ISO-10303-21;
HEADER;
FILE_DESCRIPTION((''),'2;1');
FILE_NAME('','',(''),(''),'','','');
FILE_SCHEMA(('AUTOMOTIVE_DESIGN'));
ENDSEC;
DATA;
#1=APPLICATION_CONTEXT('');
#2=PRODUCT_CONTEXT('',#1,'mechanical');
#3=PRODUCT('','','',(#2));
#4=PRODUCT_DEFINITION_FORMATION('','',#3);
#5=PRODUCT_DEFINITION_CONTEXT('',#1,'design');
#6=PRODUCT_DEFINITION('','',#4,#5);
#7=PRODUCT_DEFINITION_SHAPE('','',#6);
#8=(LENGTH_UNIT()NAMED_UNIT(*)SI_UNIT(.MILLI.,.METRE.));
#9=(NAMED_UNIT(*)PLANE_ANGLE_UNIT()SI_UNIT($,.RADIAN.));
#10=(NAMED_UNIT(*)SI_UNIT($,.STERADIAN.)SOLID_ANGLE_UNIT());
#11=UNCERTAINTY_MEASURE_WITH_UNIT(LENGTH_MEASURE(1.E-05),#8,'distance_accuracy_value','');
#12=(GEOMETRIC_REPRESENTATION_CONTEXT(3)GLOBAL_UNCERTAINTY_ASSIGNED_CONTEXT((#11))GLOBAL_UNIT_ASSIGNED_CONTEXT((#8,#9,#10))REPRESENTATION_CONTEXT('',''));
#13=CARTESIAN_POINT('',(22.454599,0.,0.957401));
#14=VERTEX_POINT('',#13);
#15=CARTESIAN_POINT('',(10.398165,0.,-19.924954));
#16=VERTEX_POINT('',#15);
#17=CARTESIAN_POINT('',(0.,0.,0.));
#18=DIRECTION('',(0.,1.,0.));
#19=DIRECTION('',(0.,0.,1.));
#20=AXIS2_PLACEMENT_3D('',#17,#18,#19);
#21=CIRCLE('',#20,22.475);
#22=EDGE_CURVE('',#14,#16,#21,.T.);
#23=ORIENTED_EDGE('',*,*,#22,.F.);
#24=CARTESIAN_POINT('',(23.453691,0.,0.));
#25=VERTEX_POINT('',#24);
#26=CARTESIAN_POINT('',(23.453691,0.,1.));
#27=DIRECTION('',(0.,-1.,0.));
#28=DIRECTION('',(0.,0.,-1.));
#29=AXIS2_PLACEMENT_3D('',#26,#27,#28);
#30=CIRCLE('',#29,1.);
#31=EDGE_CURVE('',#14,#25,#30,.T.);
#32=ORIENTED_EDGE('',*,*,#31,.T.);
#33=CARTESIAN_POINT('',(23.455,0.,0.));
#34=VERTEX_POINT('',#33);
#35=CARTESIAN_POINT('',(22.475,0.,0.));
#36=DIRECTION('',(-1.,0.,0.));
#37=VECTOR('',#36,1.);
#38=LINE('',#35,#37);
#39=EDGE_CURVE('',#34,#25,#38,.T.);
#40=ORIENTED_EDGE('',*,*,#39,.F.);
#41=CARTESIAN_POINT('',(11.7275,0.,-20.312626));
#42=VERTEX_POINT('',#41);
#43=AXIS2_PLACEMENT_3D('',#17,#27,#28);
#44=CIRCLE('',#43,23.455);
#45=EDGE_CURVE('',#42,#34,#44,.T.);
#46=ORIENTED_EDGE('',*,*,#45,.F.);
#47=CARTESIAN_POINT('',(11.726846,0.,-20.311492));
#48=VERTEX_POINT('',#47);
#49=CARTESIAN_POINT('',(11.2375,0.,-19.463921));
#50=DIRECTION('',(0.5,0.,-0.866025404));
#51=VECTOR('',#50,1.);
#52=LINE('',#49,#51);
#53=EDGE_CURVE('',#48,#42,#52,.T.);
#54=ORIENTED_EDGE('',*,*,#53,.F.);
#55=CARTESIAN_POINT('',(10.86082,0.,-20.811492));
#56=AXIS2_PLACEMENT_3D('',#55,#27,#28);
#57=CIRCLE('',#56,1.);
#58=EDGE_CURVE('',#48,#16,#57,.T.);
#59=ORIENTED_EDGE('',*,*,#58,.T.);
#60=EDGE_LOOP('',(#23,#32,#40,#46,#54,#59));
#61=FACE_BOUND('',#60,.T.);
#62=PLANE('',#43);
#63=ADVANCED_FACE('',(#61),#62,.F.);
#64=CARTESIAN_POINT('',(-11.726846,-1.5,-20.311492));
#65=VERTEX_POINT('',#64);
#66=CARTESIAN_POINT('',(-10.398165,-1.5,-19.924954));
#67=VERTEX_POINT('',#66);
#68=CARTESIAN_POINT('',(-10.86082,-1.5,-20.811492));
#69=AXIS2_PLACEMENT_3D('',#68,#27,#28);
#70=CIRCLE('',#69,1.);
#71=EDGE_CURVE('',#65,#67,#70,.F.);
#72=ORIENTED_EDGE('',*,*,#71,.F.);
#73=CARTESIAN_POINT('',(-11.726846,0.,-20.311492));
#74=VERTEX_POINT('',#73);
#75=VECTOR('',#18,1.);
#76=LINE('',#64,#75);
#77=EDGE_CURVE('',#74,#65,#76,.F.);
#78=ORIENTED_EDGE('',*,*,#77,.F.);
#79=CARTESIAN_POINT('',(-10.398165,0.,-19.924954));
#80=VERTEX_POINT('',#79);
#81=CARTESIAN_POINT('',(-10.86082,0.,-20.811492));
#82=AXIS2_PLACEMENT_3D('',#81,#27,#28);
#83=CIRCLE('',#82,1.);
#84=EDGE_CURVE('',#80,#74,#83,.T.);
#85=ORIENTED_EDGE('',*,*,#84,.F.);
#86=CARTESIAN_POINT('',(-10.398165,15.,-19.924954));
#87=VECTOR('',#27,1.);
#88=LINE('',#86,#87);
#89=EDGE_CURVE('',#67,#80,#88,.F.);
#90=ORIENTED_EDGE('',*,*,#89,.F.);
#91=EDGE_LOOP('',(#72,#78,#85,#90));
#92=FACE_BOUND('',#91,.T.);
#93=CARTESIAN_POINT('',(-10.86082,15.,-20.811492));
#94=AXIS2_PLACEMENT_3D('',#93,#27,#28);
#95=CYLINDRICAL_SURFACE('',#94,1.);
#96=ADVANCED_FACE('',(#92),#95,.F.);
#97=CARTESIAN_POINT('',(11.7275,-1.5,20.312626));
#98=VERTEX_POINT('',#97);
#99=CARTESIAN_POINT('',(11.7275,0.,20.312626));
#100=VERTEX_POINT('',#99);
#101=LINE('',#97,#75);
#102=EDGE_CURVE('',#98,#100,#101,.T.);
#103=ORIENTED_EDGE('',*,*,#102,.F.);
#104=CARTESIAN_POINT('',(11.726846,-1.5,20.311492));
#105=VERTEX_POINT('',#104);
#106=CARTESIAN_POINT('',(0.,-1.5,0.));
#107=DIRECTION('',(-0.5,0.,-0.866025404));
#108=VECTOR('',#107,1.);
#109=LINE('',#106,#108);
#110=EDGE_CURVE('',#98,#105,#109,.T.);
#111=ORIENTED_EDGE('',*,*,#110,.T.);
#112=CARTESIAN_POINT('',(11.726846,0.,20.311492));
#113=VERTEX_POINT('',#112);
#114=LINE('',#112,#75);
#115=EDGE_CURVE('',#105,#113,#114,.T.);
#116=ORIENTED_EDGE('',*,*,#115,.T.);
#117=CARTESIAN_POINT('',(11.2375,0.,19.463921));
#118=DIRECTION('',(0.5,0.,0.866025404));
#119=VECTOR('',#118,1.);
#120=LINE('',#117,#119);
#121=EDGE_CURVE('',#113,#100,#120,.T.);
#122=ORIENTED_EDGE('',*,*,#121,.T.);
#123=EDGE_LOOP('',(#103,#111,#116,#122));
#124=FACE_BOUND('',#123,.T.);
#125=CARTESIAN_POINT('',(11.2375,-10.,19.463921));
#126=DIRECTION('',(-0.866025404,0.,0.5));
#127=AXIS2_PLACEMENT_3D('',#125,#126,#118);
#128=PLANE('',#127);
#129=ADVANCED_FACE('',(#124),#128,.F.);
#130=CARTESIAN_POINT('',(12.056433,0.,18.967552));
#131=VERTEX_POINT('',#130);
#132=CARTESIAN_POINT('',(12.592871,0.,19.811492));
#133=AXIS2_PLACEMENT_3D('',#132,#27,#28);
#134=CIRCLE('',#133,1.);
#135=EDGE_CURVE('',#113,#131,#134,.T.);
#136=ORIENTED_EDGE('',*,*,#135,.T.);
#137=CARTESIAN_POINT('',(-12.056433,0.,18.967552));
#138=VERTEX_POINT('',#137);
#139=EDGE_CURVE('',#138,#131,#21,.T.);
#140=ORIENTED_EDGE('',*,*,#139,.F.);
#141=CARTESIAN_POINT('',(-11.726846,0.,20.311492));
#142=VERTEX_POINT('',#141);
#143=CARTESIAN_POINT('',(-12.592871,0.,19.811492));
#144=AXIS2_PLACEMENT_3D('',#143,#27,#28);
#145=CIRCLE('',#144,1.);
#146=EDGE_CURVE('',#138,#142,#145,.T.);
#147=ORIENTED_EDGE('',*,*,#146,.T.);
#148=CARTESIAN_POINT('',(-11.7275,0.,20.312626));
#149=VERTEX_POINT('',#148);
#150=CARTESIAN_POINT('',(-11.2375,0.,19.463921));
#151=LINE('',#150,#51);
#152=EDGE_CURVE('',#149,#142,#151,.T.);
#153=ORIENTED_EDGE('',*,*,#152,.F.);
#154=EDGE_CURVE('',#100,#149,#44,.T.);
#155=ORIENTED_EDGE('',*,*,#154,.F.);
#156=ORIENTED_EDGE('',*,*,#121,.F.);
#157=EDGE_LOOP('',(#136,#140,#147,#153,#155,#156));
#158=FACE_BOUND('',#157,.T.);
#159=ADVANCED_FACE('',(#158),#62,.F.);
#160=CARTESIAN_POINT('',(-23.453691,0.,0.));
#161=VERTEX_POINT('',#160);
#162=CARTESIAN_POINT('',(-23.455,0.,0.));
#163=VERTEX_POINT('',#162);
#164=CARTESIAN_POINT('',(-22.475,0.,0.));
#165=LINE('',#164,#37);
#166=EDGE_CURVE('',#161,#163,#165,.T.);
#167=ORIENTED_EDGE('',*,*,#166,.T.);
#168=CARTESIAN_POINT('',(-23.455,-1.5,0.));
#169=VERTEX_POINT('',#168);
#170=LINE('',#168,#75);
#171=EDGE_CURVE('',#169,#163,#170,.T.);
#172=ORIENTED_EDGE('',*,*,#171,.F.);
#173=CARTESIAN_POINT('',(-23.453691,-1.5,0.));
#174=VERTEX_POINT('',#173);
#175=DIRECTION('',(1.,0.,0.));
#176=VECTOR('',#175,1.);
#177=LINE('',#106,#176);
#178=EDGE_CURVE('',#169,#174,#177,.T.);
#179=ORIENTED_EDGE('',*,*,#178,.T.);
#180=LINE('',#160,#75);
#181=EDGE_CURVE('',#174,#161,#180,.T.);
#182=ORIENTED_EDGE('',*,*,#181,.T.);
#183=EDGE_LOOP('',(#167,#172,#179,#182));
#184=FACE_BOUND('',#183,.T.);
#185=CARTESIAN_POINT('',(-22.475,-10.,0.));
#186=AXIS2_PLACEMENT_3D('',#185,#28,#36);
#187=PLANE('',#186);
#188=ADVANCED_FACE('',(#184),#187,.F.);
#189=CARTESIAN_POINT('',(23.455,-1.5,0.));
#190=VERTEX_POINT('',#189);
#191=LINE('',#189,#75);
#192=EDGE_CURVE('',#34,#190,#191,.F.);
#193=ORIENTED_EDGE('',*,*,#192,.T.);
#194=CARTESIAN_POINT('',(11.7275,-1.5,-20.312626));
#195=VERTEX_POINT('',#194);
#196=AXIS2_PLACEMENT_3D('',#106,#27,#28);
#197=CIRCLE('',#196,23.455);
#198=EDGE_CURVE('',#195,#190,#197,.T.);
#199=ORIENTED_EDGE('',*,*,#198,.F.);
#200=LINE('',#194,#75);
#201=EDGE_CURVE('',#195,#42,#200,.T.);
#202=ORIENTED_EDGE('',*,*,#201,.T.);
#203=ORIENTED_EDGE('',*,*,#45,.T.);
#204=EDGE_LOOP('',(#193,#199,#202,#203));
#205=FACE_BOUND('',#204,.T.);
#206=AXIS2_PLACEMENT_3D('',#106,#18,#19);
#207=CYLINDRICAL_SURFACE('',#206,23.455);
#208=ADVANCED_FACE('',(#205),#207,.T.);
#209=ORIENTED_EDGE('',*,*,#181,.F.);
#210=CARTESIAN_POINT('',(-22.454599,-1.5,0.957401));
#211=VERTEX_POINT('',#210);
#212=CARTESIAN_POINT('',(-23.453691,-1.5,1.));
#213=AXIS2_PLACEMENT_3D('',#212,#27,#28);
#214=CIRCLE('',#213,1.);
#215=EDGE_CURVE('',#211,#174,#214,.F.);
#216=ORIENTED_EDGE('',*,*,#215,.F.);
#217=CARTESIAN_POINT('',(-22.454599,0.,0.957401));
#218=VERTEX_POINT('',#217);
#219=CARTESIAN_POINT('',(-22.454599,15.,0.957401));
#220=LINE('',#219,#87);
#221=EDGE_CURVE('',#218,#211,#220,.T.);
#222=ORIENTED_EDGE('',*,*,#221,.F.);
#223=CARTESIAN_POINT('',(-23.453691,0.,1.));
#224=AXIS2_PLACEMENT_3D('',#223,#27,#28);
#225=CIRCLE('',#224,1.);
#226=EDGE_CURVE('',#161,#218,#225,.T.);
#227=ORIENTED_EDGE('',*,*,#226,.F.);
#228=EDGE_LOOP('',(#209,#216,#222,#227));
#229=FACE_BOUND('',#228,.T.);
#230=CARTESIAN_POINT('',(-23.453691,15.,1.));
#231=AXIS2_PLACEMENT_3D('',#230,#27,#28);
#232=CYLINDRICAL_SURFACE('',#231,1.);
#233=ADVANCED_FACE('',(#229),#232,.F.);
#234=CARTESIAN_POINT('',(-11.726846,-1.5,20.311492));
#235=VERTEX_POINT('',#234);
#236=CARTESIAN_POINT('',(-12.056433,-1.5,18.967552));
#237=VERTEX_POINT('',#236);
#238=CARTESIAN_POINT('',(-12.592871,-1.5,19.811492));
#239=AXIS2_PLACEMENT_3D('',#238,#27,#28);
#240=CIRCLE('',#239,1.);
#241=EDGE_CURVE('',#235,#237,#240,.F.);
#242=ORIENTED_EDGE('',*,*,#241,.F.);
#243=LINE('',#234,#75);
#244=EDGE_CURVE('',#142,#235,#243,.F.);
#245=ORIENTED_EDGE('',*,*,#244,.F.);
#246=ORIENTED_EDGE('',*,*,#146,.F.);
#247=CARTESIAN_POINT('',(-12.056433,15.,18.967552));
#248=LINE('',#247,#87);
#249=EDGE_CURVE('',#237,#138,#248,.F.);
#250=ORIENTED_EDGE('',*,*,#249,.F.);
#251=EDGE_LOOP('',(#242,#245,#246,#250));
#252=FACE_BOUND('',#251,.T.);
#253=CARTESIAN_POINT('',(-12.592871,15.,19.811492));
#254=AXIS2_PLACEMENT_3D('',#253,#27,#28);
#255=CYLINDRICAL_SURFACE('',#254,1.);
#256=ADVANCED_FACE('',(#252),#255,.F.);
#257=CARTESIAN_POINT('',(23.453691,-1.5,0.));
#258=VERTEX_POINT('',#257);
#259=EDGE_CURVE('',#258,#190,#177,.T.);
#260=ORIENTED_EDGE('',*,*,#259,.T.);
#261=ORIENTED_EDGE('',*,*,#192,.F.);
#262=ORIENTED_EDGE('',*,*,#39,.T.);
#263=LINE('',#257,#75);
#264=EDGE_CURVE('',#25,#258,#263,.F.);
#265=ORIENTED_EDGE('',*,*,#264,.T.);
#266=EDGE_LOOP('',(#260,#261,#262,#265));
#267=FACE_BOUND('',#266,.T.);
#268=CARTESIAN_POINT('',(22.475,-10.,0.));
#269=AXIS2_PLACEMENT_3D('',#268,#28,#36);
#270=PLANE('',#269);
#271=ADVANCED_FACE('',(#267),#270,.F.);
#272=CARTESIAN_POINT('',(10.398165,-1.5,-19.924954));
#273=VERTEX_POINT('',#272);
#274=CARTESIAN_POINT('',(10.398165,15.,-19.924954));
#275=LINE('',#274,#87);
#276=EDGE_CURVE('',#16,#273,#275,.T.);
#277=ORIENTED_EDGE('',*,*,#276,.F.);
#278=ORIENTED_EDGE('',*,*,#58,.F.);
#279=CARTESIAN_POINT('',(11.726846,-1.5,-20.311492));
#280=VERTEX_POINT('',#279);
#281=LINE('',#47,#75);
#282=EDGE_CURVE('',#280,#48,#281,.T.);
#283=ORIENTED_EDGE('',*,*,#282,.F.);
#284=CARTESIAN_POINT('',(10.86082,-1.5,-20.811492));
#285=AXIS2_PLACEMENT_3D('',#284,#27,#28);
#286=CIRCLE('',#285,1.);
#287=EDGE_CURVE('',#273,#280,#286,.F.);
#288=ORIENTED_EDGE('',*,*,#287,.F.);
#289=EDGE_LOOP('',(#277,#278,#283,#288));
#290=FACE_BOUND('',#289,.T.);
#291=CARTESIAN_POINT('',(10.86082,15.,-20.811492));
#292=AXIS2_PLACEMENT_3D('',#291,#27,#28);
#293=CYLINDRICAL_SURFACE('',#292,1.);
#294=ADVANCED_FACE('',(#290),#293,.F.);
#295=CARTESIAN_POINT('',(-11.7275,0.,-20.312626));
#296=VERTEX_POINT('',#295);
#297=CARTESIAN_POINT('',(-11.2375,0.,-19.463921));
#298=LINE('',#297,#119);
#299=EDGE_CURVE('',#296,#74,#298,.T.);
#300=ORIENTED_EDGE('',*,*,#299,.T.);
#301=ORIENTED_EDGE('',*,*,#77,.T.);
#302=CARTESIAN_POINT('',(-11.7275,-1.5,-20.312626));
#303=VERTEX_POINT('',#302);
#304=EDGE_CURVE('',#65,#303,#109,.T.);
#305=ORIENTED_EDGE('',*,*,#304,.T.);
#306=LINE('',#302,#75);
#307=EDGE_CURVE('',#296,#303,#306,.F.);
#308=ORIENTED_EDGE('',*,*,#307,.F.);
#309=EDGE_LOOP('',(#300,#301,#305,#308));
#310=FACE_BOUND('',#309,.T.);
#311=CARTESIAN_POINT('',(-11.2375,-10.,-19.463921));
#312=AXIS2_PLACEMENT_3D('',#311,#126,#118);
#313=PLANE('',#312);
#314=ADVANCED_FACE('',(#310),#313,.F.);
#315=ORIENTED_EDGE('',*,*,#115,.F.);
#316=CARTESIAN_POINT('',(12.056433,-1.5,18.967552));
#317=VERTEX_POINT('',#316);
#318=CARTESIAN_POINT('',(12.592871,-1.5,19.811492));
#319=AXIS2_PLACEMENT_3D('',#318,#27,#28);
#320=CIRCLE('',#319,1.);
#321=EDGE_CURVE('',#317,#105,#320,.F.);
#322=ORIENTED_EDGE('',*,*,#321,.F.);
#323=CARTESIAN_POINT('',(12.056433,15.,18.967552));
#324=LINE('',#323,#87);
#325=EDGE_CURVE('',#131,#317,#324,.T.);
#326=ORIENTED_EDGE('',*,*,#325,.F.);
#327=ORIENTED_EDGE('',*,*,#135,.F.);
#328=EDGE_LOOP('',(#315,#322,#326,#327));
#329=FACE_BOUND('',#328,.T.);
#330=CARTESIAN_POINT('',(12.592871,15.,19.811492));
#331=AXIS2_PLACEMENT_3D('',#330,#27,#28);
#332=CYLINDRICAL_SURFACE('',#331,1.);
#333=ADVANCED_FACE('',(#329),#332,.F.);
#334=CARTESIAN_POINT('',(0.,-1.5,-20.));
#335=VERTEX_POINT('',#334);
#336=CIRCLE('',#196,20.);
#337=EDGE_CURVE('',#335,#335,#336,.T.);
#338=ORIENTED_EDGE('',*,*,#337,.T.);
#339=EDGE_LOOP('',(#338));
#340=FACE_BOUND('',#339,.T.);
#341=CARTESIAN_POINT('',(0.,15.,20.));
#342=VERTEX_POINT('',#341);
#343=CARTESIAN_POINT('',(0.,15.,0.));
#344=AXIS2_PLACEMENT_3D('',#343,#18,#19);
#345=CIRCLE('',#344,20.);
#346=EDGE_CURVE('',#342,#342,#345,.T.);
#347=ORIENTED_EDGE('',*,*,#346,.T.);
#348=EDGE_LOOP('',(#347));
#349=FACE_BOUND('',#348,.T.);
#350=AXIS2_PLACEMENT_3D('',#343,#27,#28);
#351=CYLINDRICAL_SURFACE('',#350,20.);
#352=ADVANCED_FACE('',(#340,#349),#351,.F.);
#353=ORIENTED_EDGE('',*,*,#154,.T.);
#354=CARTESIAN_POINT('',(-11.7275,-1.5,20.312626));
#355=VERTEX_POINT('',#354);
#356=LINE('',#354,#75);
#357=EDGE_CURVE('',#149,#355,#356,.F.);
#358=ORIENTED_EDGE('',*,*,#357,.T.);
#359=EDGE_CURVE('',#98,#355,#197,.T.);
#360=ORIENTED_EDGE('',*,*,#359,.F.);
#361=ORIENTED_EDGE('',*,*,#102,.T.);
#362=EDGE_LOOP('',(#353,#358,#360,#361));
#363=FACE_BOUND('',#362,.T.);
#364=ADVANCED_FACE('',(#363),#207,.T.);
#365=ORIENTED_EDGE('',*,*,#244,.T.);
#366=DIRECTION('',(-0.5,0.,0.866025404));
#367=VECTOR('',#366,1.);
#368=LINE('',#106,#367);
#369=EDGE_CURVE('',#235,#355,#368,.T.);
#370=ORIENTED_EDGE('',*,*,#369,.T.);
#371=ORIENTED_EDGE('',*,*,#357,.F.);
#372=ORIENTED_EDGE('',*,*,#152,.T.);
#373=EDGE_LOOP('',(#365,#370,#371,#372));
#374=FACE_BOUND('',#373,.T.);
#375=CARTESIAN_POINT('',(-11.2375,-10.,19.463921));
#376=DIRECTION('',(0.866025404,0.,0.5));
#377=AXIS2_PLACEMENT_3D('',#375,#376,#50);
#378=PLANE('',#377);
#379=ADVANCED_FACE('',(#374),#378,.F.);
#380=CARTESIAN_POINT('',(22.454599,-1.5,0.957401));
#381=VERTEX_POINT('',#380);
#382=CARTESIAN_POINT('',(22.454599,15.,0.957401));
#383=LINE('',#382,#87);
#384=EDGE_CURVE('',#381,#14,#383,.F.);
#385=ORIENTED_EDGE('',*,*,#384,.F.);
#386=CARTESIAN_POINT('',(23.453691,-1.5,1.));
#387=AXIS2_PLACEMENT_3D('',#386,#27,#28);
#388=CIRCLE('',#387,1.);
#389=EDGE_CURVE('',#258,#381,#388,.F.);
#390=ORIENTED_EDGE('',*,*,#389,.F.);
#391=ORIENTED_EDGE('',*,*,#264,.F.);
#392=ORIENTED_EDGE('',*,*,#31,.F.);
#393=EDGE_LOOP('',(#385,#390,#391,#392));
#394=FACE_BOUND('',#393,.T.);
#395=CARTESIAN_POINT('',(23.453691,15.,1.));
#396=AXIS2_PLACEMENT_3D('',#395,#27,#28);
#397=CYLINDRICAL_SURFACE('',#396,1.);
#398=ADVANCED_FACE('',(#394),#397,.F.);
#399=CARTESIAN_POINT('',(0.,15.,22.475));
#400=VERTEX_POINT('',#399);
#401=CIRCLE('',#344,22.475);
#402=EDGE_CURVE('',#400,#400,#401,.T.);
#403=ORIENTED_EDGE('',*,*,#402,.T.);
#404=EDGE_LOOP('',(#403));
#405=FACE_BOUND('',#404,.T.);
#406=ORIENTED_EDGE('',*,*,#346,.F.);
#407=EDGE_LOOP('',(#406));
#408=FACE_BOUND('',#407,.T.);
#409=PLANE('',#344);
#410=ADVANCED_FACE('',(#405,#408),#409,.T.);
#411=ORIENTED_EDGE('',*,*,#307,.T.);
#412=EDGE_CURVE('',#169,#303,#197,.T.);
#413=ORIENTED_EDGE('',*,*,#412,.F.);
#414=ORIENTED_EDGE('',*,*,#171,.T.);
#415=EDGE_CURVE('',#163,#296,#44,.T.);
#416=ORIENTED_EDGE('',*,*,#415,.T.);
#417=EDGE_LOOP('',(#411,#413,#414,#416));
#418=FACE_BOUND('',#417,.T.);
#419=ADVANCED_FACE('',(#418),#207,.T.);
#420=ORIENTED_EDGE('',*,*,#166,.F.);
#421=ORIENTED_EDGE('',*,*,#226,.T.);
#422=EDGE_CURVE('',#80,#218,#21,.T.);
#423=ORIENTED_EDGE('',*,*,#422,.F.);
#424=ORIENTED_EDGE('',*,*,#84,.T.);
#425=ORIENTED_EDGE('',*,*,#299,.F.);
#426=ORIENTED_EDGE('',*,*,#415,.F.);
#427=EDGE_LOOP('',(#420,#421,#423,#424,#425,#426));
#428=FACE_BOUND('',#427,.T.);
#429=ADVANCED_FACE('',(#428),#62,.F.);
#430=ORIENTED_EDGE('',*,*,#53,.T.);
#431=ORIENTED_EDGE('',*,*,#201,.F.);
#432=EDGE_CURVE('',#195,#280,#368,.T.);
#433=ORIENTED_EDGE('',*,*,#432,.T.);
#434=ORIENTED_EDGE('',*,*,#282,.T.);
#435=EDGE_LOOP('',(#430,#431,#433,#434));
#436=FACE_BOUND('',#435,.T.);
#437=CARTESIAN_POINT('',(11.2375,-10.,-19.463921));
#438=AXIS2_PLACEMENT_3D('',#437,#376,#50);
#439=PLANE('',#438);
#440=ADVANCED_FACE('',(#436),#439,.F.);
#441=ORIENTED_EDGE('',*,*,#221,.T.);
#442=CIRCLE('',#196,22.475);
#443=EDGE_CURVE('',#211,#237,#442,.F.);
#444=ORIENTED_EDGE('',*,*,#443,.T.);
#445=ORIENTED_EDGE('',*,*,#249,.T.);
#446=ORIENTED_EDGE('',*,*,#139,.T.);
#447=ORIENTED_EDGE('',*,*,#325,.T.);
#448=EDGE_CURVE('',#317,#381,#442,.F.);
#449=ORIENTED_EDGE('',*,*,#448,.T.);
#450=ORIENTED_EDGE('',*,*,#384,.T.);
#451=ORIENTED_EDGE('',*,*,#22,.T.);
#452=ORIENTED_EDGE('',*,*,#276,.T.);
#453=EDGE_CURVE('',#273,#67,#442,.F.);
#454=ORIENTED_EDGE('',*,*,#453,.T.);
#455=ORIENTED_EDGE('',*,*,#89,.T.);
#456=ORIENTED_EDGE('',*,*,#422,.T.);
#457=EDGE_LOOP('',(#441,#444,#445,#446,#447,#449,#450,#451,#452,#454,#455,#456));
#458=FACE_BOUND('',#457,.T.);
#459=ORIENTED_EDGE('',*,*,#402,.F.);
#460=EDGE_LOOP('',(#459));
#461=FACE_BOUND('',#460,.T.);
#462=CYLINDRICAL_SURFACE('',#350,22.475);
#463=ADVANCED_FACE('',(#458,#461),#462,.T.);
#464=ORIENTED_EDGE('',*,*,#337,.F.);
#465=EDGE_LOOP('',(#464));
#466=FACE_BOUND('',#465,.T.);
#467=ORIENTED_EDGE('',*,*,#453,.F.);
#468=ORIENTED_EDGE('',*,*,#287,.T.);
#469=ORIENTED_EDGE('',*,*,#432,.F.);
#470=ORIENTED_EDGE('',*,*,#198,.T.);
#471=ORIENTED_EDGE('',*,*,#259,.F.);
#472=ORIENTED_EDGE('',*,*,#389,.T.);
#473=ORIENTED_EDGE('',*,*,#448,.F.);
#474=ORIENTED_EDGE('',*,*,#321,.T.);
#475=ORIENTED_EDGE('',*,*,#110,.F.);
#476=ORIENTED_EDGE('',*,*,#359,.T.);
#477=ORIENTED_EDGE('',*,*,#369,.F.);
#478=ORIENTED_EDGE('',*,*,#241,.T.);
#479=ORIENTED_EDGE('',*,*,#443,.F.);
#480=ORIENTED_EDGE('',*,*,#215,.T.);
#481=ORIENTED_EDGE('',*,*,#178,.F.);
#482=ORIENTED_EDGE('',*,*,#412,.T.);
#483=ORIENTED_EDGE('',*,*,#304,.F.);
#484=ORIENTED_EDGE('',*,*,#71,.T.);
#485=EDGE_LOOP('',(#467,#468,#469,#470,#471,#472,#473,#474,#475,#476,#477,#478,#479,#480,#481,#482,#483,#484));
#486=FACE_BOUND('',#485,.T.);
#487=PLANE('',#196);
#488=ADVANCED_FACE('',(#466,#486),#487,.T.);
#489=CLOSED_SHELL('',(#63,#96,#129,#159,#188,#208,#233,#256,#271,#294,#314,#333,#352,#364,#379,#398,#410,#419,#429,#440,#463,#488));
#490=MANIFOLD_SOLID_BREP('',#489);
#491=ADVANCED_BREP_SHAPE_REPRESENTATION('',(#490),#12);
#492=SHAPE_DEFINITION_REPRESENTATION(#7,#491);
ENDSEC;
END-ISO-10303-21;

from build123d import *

# Parameters (mm, degrees)
SKETCH1_R           = 22.475
SKETCH1_R_2         = 20
BOSS_EXTRUDE1_DEPTH = 15
SKETCH2_R           = 23.455
SKETCH2_R_2         = 20
BOSS_EXTRUDE2_DEPTH = 1.5
CUT_EXTRUDE3_DEPTH  = 10
CIRPATTERN1_COUNT   = 3
FILLET1_R           = 1


with BuildPart() as part:
    # Sketch1 → Boss-Extrude1 (new body)
    with BuildSketch(Plane(origin=(0, 0, 0), x_dir=(1, 0, 0), z_dir=(0, 1, 0))):
        with Locations(Location((0, 0, 0), (0, 0, 270))):
            Circle(SKETCH1_R)
        with Locations(Location((0, 0, 0), (0, 0, 270))):
            Circle(SKETCH1_R_2, mode=Mode.SUBTRACT)
    extrude(amount=BOSS_EXTRUDE1_DEPTH)

    # Sketch2 → Boss-Extrude2 (add)
    with BuildSketch(Plane.XZ):
        with Locations(Location((0, 0, 0), (0, 0, 270))):
            Circle(SKETCH2_R)
        with Locations(Location((0, 0, 0), (0, 0, 270))):
            Circle(SKETCH2_R_2, mode=Mode.SUBTRACT)
    extrude(amount=BOSS_EXTRUDE2_DEPTH)

    # Sketch4 → Cut-Extrude3 (cut)
    with BuildSketch(Plane(origin=(0, 0, 0), x_dir=(1, 0, 0), z_dir=(0, 1, 0))):
        with BuildLine():
            Line((-11.2375, 19.463921), (-11.7275, 20.312626))
            ThreePointArc((-11.7275, 20.312626), (0, 23.455), (11.7275, 20.312626))
            Line((11.7275, 20.312626), (11.2375, 19.463921))
            ThreePointArc((11.2375, 19.463921), (0, 22.475), (-11.2375, 19.463921))
        make_face()
    cut_extrude3 = extrude(amount=-CUT_EXTRUDE3_DEPTH, mode=Mode.SUBTRACT)

    # CirPattern1: Cut-Extrude3 ×3 about axis
    cirpattern1_axis = Axis((0, 0, 0), (0, 1, 0))
    for i in range(1, CIRPATTERN1_COUNT):
        add(cut_extrude3.rotate(cirpattern1_axis, i * 360 / CIRPATTERN1_COUNT), mode=Mode.SUBTRACT)

    # Fillet1
    fillet1_edges = [part.edges().sort_by_distance(p)[0] for p in [
        (11.2375, -0.75, -19.463921),
        (-11.2375, -0.75, -19.463921),
        (-22.475, -0.75, 0),
        (-11.2375, -0.75, 19.463921),
        (11.2375, -0.75, 19.463921),
        (22.475, -0.75, 0),
    ]]
    fillet(fillet1_edges, radius=FILLET1_R)


solid = part.part
